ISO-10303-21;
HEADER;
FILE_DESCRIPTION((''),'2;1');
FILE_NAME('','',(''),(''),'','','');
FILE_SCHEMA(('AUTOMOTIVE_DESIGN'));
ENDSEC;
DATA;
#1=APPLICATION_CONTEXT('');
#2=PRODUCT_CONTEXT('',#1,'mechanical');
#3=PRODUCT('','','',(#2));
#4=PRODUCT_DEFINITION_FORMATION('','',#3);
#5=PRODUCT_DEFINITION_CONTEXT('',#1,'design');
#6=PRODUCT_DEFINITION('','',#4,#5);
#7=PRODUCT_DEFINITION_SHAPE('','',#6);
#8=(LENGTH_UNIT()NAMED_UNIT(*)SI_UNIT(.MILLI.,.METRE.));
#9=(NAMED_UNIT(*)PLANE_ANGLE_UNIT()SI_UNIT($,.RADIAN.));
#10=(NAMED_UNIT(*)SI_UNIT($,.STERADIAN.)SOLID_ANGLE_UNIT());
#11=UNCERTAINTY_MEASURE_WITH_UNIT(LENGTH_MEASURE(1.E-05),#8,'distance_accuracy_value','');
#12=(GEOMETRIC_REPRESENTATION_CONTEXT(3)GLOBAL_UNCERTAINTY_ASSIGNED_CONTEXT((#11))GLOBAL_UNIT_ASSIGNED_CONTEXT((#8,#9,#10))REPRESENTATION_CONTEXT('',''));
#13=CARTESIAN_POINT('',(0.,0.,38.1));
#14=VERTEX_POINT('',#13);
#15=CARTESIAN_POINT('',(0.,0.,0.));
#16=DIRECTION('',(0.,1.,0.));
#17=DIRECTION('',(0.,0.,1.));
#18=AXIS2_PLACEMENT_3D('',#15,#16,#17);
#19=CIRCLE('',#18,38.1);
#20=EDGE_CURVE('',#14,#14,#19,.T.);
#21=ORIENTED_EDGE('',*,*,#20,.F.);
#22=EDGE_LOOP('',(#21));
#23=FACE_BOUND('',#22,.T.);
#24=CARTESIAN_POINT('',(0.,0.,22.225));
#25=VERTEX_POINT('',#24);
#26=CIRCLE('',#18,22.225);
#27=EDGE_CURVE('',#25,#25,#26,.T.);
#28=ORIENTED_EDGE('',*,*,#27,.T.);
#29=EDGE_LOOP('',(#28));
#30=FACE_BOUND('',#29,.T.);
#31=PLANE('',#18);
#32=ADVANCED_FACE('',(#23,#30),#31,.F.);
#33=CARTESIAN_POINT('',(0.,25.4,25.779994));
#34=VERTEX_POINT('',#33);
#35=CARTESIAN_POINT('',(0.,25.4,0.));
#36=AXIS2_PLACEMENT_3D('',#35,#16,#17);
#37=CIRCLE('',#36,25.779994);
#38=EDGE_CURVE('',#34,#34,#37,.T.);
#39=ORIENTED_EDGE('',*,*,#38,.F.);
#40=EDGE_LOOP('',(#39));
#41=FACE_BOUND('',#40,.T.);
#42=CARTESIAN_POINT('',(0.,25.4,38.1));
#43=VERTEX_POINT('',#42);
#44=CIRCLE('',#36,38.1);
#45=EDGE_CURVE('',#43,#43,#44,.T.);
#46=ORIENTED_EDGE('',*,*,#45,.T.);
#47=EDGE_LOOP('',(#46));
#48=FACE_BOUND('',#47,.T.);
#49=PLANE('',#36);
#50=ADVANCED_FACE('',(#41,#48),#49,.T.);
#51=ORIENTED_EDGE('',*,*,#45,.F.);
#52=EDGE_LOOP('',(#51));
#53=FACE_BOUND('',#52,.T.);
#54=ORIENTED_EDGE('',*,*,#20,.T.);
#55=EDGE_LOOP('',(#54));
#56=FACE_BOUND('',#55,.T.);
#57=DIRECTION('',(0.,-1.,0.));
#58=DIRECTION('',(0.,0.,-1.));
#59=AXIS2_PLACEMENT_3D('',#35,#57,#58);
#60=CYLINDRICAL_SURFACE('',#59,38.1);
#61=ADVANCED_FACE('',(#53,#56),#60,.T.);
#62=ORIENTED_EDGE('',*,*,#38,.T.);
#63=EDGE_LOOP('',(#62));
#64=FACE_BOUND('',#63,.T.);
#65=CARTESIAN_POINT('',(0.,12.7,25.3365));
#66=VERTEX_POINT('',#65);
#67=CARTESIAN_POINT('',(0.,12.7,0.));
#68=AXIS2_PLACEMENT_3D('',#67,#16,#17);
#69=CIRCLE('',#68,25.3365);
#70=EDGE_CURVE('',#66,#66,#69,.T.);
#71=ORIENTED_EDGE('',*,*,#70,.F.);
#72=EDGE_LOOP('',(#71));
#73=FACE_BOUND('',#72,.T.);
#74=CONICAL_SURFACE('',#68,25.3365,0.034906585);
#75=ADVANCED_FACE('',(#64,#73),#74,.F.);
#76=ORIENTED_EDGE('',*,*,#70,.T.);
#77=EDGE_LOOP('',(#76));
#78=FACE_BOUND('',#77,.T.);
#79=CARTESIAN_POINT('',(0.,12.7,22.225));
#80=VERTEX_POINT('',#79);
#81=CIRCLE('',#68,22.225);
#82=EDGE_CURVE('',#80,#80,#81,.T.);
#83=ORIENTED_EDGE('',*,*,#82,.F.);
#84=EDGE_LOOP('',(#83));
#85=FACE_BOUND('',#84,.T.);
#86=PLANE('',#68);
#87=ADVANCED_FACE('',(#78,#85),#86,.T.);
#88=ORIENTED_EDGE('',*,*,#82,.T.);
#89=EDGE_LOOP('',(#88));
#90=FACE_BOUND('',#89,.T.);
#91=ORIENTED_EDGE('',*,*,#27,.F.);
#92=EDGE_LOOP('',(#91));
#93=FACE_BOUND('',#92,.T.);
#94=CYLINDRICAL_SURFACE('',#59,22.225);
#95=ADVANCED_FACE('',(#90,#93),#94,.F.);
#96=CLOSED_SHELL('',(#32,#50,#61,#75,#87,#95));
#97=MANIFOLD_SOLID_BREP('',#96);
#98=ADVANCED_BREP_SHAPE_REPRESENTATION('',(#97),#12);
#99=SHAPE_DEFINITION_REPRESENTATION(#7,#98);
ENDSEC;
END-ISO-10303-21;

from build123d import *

# Parameters (mm, degrees)
SKETCH1_R           = 38.1
SKETCH1_R_2         = 22.225
BOSS_EXTRUDE1_DEPTH = 25.4
CUT_EXTRUDE1_START  = 12.7
SKETCH2_R           = 25.3365
CUT_EXTRUDE1_DEPTH  = 12.7
CUT_EXTRUDE1_DRAFT  = -2


with BuildPart() as part:
    # Sketch1 → Boss-Extrude1 (new body)
    with BuildSketch(Plane(origin=(0, 0, 0), x_dir=(1, 0, 0), z_dir=(0, 1, 0))):
        with Locations(Location((0, 0, 0), (0, 0, 270))):
            Circle(SKETCH1_R)
        with Locations(Location((0, 0, 0), (0, 0, 270))):
            Circle(SKETCH1_R_2, mode=Mode.SUBTRACT)
    extrude(amount=BOSS_EXTRUDE1_DEPTH)


with BuildPart() as cut_extrude1_tool:
    # Sketch2 → Cut-Extrude1 (with draft: the straight prism first)
    with BuildSketch(Plane(origin=(0, 0, 0), x_dir=(1, 0, 0), z_dir=(0, 1, 0)).offset(CUT_EXTRUDE1_START)):
        Circle(SKETCH2_R)
    extrude(amount=CUT_EXTRUDE1_DEPTH)
    # Cut-Extrude1: the draft: its side faces are tilted about the plane it starts from
    cut_extrude1_sides = [cut_extrude1_tool.faces().sort_by_distance(p)[0] for p in [
        (-25.3365, 19.05, 0),
    ]]
    draft(cut_extrude1_sides, Plane(origin=(0, 0, 0), x_dir=(1, 0, 0), z_dir=(0, 1, 0)).offset(CUT_EXTRUDE1_START), CUT_EXTRUDE1_DRAFT)


with BuildPart() as part_1:
    add(part.part)

    # Cut-Extrude1: cut by cut_extrude1_tool
    add(cut_extrude1_tool.part, mode=Mode.SUBTRACT)


solid = part_1.part
